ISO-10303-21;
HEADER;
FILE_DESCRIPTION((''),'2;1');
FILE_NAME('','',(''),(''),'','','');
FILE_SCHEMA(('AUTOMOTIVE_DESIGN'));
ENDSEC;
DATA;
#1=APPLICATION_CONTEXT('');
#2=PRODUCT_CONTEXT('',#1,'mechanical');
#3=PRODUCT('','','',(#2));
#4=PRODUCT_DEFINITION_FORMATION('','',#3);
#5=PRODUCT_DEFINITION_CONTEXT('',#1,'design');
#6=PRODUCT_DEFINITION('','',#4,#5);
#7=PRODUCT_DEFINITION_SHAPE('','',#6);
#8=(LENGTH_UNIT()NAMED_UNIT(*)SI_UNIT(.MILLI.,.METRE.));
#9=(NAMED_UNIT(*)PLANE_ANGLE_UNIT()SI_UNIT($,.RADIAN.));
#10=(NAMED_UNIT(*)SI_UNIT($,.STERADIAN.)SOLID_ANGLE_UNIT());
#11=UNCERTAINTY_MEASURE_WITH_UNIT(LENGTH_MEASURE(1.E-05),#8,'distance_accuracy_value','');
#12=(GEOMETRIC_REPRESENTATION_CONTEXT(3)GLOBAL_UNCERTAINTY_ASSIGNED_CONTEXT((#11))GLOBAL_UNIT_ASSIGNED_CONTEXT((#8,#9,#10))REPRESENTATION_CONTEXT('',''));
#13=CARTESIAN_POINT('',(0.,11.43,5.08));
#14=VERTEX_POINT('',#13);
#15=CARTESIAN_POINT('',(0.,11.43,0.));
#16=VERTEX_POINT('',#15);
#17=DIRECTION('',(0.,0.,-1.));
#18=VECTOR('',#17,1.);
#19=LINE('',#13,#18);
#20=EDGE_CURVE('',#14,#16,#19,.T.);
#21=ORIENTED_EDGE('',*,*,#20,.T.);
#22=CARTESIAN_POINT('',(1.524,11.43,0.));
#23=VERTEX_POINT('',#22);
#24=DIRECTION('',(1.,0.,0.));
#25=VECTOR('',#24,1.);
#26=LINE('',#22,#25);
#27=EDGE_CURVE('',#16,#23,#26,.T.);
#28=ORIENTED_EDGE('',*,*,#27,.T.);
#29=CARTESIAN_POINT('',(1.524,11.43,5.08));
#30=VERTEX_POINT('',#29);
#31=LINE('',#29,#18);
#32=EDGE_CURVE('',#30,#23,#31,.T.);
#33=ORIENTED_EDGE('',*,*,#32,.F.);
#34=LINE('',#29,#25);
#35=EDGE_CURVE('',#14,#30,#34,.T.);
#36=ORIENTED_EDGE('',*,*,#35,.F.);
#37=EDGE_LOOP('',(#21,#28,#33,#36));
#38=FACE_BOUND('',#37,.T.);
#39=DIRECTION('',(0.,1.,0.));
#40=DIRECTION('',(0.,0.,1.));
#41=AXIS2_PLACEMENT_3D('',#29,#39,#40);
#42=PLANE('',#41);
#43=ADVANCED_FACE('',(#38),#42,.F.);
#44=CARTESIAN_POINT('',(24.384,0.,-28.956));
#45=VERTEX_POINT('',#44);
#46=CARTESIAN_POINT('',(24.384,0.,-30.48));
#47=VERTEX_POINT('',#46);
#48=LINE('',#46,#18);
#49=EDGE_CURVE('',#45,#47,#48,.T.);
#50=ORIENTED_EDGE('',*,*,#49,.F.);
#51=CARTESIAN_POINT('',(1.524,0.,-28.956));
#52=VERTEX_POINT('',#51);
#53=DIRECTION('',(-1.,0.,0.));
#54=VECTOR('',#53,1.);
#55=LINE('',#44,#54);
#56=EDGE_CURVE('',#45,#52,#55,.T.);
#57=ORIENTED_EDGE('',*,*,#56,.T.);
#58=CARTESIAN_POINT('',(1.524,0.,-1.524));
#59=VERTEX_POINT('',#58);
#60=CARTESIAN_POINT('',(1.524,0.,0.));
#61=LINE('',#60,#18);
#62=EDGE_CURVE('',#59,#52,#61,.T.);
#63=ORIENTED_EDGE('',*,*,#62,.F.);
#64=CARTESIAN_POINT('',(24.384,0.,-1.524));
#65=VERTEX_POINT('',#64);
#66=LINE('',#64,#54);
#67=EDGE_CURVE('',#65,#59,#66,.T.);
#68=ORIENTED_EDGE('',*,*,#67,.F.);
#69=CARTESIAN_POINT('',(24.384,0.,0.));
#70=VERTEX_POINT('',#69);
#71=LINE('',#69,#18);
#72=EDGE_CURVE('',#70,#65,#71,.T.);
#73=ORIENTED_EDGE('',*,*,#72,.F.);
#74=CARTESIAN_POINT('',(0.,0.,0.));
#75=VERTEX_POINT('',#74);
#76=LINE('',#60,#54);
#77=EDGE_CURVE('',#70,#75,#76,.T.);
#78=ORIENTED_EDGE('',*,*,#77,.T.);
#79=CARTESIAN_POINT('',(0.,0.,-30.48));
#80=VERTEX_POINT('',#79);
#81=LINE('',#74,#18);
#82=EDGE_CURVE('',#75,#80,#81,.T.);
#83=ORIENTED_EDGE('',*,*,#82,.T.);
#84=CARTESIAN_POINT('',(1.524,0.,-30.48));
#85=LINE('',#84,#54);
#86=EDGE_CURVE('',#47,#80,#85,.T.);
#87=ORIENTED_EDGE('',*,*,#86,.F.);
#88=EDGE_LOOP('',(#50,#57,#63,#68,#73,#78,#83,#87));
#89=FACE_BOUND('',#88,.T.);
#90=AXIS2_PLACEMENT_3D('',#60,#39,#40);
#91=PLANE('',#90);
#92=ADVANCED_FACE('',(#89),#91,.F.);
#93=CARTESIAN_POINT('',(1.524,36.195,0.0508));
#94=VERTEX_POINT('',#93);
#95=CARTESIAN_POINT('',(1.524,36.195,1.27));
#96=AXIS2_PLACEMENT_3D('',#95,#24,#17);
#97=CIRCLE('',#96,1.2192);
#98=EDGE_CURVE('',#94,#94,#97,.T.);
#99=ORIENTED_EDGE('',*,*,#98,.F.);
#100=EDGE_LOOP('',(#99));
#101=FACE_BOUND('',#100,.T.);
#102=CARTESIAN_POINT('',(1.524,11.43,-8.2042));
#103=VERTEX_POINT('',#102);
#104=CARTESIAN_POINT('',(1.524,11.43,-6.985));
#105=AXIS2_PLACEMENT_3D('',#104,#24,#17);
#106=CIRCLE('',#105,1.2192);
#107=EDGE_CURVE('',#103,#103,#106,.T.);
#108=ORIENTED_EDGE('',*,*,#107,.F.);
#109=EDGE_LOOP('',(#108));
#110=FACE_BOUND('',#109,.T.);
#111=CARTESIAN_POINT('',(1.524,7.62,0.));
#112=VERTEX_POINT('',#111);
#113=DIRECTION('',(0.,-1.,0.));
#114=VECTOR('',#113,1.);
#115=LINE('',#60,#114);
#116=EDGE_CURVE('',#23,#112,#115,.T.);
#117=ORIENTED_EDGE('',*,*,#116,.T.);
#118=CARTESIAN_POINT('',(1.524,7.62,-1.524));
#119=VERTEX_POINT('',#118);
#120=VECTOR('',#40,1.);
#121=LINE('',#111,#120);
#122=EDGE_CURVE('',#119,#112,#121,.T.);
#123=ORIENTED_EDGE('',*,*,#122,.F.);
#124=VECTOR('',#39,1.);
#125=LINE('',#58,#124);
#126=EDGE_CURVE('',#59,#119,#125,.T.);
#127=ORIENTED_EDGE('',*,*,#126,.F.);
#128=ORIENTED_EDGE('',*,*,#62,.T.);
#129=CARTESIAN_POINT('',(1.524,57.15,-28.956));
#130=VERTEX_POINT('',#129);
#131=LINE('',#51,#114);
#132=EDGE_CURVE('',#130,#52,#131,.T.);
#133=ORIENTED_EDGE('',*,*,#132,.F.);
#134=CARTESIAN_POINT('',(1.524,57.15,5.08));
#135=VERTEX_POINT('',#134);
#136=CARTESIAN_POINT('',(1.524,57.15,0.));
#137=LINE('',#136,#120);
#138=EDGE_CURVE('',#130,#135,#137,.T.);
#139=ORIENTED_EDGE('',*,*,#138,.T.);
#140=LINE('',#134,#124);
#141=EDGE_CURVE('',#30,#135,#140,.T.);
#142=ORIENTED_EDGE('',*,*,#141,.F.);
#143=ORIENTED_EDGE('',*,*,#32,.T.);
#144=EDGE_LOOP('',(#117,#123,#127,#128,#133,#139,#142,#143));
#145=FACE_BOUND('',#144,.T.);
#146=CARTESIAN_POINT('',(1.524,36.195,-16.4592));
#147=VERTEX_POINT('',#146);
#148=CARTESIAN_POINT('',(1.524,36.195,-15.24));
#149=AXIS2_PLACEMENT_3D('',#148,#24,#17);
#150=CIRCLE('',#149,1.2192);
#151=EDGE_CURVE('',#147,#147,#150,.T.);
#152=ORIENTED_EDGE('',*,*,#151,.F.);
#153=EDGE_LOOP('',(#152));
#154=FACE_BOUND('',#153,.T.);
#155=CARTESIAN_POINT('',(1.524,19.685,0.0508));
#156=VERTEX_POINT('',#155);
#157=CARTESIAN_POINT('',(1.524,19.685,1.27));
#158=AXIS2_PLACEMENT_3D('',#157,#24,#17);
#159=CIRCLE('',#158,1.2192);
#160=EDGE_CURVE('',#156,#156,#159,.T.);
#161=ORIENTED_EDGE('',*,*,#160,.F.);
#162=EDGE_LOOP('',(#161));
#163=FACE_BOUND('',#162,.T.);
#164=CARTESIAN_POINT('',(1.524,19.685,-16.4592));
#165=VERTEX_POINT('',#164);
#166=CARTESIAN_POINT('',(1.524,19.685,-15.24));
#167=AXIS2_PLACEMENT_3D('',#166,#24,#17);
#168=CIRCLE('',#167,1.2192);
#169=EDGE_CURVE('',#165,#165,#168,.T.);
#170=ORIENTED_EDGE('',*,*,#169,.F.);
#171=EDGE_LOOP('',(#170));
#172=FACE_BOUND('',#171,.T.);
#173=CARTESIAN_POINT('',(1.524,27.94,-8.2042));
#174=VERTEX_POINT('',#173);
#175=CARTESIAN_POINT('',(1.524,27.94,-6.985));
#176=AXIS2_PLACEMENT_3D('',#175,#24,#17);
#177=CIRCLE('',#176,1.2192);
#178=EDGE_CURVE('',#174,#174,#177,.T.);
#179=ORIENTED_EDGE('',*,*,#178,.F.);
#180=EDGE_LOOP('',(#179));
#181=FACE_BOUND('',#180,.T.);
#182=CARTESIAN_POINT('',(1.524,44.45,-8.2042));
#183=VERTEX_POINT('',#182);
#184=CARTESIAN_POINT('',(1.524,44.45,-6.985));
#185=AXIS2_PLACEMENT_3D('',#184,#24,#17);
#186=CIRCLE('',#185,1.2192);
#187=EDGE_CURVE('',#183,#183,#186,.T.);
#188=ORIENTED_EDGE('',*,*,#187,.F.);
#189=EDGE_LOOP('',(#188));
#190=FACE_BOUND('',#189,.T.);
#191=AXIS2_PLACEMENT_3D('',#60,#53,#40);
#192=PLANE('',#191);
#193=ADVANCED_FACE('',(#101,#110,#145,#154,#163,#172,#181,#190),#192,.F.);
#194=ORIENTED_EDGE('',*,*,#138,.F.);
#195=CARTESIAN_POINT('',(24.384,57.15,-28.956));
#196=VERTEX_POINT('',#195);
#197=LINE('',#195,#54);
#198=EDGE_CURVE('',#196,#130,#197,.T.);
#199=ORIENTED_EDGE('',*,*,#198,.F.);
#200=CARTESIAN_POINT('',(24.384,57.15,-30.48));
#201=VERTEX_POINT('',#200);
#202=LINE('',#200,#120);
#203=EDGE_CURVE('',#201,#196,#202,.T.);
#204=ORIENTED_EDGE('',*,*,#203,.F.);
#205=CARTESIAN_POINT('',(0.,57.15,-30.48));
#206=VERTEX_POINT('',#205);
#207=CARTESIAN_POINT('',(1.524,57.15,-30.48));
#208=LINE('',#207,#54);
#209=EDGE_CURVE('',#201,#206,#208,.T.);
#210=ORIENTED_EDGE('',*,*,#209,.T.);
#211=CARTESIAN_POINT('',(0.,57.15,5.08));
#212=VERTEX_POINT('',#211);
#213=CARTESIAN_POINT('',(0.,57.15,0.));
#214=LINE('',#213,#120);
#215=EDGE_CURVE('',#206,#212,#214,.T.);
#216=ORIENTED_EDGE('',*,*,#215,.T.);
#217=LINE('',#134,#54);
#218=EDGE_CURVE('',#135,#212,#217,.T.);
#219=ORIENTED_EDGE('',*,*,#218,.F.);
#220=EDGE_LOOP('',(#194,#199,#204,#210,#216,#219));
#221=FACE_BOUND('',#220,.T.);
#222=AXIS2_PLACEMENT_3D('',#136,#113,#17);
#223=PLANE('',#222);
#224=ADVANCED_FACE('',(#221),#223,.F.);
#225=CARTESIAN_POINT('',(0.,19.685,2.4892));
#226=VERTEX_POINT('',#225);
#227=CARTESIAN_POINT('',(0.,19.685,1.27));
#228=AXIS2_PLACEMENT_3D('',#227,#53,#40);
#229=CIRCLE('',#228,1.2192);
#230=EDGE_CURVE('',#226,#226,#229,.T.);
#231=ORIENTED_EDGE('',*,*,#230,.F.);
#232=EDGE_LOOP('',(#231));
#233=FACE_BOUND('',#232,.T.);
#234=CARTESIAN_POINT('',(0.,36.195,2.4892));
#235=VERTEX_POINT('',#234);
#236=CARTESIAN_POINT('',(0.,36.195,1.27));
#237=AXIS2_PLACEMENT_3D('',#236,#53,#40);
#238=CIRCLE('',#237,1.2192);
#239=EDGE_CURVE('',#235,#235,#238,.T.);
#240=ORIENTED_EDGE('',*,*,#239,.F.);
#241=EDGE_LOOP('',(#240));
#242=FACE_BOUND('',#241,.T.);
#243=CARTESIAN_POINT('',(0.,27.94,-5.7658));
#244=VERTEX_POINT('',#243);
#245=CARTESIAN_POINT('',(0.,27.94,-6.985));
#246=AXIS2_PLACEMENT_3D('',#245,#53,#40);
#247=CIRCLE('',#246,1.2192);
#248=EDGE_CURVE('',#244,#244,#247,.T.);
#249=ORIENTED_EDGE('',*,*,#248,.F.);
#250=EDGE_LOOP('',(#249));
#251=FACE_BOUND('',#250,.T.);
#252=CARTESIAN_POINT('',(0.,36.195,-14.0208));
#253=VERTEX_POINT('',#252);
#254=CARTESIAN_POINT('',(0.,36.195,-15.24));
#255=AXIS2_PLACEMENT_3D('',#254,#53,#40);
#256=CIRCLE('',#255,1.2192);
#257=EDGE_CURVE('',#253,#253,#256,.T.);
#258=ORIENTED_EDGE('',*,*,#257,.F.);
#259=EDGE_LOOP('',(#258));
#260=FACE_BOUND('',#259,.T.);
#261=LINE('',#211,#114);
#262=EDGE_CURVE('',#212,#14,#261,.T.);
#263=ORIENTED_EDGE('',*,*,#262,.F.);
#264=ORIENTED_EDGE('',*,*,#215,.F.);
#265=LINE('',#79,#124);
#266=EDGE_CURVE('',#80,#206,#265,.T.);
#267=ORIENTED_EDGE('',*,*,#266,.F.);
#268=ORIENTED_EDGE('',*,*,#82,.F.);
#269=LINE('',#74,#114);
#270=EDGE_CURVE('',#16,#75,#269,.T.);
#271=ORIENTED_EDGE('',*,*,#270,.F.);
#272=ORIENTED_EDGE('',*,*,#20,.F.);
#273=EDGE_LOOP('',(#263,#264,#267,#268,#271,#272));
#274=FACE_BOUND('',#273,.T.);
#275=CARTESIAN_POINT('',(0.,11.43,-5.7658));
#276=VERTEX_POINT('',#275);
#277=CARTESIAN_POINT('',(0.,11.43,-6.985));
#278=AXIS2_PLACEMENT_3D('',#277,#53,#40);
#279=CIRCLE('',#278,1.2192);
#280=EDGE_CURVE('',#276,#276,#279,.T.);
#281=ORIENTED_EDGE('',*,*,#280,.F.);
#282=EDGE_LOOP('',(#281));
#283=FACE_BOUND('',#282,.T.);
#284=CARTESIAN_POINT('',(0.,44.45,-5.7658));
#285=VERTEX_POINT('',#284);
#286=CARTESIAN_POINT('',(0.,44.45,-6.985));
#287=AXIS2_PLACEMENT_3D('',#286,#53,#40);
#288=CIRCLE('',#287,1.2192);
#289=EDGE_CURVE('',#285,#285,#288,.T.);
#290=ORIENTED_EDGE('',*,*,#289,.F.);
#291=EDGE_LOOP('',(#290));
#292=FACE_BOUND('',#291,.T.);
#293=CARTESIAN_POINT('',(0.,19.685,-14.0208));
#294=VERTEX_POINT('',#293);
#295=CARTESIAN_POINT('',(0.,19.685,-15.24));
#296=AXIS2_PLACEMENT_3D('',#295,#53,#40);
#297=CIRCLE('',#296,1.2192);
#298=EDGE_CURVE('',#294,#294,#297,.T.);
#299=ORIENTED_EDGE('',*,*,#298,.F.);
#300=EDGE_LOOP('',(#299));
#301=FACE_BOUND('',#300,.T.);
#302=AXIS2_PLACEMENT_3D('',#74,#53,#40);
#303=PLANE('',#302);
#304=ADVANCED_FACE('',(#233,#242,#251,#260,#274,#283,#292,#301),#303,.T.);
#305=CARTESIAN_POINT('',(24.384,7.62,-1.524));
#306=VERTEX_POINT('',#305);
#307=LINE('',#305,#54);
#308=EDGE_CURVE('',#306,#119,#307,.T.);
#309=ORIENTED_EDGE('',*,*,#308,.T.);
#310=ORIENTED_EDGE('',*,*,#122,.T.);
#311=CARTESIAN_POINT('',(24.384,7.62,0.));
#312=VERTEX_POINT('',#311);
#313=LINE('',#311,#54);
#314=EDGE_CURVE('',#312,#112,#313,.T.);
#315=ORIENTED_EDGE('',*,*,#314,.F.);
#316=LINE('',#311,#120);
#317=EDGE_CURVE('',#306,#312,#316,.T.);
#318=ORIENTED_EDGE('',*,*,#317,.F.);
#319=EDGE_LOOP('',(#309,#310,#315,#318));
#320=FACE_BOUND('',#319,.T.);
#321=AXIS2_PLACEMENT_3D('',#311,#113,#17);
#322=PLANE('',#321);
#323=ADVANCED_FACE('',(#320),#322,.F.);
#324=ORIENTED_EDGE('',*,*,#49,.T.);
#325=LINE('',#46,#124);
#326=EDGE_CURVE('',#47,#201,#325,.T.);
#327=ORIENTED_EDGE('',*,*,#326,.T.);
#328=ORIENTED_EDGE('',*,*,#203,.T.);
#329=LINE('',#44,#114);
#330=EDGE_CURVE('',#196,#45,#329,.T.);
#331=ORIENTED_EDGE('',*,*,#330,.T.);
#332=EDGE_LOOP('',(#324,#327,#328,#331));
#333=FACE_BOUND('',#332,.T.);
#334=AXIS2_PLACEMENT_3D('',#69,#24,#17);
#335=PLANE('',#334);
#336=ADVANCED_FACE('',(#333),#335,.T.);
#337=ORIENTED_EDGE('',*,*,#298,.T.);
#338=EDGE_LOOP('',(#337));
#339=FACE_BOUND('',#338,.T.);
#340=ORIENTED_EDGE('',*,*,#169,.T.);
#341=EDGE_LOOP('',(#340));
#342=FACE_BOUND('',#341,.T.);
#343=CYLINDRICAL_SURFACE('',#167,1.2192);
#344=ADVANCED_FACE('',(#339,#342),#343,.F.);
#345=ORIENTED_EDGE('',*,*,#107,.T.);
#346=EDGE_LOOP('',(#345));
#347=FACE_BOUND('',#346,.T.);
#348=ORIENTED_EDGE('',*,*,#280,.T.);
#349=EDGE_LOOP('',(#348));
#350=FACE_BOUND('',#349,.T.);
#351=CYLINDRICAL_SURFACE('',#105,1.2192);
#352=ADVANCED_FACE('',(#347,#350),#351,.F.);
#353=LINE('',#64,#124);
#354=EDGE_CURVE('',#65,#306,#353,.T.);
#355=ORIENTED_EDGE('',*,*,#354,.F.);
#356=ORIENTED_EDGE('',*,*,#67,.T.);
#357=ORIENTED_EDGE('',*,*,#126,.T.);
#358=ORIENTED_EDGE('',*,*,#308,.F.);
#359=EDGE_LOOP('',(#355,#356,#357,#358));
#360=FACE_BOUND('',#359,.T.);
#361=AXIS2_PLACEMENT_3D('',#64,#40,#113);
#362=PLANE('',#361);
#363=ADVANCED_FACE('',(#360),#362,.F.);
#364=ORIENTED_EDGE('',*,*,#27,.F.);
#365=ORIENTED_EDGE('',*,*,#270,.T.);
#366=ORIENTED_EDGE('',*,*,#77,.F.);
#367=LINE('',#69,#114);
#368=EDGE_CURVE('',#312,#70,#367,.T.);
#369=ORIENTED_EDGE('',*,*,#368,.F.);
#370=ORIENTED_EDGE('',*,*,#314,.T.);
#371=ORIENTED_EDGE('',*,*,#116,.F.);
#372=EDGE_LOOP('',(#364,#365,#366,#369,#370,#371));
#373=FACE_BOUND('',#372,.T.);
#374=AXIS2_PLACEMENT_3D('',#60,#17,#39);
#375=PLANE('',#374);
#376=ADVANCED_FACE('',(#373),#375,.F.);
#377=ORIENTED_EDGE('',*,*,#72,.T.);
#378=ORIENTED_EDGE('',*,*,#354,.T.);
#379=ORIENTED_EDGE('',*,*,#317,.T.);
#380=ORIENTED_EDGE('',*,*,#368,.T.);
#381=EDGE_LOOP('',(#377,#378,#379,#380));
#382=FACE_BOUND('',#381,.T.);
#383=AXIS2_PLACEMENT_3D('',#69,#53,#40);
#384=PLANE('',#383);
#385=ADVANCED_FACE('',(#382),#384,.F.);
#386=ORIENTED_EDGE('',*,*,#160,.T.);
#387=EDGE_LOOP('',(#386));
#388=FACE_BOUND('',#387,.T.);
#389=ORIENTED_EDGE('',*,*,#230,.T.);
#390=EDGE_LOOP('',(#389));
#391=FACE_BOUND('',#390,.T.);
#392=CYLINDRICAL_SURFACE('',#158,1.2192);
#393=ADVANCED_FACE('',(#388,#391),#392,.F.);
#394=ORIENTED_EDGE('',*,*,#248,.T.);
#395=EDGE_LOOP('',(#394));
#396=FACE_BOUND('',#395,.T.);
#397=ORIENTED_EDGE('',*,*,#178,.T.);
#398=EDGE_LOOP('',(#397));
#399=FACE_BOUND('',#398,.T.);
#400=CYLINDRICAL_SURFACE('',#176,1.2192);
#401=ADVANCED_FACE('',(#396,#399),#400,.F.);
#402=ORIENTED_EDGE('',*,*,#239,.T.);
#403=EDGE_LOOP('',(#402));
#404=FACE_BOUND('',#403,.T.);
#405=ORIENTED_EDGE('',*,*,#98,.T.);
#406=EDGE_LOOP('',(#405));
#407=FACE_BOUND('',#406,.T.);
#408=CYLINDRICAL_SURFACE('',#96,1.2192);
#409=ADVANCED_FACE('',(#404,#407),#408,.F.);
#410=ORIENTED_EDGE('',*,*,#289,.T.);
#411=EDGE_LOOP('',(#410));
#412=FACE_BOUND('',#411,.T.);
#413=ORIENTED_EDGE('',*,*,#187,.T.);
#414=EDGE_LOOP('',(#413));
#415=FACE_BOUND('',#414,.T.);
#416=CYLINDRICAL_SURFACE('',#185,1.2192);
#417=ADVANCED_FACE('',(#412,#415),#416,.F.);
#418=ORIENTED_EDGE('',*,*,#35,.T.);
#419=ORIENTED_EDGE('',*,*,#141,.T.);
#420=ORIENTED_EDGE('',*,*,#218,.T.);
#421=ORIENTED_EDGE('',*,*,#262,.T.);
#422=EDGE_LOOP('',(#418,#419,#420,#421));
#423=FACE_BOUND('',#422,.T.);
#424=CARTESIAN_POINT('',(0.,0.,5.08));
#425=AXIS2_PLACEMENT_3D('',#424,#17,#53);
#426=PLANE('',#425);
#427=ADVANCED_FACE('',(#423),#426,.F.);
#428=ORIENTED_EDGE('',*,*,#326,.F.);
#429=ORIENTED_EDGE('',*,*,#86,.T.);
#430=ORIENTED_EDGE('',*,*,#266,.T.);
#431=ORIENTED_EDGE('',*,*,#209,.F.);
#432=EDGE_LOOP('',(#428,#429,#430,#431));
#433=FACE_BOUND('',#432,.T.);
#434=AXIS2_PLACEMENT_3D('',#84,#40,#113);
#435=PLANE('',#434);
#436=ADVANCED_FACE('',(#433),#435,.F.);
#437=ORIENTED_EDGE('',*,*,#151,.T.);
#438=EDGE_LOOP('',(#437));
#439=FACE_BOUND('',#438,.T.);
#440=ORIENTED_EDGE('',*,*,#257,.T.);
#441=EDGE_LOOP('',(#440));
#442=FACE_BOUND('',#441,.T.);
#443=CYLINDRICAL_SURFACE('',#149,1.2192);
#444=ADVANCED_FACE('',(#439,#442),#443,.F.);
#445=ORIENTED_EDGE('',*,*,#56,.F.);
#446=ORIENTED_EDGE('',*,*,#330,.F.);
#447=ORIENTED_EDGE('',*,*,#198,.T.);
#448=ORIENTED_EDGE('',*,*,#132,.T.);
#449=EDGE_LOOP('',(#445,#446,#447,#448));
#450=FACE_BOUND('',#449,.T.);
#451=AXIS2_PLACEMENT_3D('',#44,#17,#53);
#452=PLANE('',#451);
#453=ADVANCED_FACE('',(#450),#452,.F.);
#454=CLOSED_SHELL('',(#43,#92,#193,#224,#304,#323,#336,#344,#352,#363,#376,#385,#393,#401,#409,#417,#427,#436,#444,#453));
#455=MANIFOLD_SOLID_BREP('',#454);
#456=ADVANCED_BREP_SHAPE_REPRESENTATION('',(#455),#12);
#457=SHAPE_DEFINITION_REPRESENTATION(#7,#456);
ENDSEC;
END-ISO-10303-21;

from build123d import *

# Parameters (mm, degrees)
SKETCH1_W             = 30.48
SKETCH1_H             = 57.15
BOSS_EXTRUDE1_DEPTH   = 1.524
SKETCH2_W             = 1.524
SKETCH2_H             = 57.15
SKETCH2_H_2           = 7.62
BOSS_EXTRUDE2_DEPTH   = 22.86
SKETCH3_W             = 1.524
SKETCH3_H             = 45.72
BOSS_EXTRUDE3_DEPTH   = 5.08
F_2_CLEARANCE_HOLE1_D = 2.4384


with BuildPart() as part:
    # Sketch1 → Boss-Extrude1 (new body)
    with BuildSketch(Plane(origin=(0, 0, 0), x_dir=(0, 0, -1), z_dir=(1, 0, 0))):
        with Locations((15.24, 28.575)):
            Rectangle(SKETCH1_W, SKETCH1_H)
    extrude(amount=BOSS_EXTRUDE1_DEPTH)

    # Sketch2 → Boss-Extrude2 (add)
    with BuildSketch(Plane(origin=(1.524, 0, 0), x_dir=(0, 0, -1), z_dir=(1, 0, 0))):
        with Locations((29.718, 28.575)):
            Rectangle(SKETCH2_W, SKETCH2_H)
        with Locations((0.762, 3.81)):
            Rectangle(SKETCH2_W, SKETCH2_H_2)
    extrude(amount=BOSS_EXTRUDE2_DEPTH)

    # Sketch3 → Boss-Extrude3 (add)
    with BuildSketch(Plane.XY):
        with Locations((0.762, 34.29)):
            Rectangle(SKETCH3_W, SKETCH3_H)
    extrude(amount=BOSS_EXTRUDE3_DEPTH)

    # #2 Clearance Hole1 (through all)
    with Locations(Plane(origin=(1.524, 0, 0), x_dir=(0, 0, -1), z_dir=(1, 0, 0))):
        with Locations((-1.27, 36.195), (15.24, 36.195), (6.985, 44.45), (6.985, 27.94), (6.985, 11.43), (15.24, 19.685), (-1.27, 19.685)):
            Hole(F_2_CLEARANCE_HOLE1_D / 2)


solid = part.part
